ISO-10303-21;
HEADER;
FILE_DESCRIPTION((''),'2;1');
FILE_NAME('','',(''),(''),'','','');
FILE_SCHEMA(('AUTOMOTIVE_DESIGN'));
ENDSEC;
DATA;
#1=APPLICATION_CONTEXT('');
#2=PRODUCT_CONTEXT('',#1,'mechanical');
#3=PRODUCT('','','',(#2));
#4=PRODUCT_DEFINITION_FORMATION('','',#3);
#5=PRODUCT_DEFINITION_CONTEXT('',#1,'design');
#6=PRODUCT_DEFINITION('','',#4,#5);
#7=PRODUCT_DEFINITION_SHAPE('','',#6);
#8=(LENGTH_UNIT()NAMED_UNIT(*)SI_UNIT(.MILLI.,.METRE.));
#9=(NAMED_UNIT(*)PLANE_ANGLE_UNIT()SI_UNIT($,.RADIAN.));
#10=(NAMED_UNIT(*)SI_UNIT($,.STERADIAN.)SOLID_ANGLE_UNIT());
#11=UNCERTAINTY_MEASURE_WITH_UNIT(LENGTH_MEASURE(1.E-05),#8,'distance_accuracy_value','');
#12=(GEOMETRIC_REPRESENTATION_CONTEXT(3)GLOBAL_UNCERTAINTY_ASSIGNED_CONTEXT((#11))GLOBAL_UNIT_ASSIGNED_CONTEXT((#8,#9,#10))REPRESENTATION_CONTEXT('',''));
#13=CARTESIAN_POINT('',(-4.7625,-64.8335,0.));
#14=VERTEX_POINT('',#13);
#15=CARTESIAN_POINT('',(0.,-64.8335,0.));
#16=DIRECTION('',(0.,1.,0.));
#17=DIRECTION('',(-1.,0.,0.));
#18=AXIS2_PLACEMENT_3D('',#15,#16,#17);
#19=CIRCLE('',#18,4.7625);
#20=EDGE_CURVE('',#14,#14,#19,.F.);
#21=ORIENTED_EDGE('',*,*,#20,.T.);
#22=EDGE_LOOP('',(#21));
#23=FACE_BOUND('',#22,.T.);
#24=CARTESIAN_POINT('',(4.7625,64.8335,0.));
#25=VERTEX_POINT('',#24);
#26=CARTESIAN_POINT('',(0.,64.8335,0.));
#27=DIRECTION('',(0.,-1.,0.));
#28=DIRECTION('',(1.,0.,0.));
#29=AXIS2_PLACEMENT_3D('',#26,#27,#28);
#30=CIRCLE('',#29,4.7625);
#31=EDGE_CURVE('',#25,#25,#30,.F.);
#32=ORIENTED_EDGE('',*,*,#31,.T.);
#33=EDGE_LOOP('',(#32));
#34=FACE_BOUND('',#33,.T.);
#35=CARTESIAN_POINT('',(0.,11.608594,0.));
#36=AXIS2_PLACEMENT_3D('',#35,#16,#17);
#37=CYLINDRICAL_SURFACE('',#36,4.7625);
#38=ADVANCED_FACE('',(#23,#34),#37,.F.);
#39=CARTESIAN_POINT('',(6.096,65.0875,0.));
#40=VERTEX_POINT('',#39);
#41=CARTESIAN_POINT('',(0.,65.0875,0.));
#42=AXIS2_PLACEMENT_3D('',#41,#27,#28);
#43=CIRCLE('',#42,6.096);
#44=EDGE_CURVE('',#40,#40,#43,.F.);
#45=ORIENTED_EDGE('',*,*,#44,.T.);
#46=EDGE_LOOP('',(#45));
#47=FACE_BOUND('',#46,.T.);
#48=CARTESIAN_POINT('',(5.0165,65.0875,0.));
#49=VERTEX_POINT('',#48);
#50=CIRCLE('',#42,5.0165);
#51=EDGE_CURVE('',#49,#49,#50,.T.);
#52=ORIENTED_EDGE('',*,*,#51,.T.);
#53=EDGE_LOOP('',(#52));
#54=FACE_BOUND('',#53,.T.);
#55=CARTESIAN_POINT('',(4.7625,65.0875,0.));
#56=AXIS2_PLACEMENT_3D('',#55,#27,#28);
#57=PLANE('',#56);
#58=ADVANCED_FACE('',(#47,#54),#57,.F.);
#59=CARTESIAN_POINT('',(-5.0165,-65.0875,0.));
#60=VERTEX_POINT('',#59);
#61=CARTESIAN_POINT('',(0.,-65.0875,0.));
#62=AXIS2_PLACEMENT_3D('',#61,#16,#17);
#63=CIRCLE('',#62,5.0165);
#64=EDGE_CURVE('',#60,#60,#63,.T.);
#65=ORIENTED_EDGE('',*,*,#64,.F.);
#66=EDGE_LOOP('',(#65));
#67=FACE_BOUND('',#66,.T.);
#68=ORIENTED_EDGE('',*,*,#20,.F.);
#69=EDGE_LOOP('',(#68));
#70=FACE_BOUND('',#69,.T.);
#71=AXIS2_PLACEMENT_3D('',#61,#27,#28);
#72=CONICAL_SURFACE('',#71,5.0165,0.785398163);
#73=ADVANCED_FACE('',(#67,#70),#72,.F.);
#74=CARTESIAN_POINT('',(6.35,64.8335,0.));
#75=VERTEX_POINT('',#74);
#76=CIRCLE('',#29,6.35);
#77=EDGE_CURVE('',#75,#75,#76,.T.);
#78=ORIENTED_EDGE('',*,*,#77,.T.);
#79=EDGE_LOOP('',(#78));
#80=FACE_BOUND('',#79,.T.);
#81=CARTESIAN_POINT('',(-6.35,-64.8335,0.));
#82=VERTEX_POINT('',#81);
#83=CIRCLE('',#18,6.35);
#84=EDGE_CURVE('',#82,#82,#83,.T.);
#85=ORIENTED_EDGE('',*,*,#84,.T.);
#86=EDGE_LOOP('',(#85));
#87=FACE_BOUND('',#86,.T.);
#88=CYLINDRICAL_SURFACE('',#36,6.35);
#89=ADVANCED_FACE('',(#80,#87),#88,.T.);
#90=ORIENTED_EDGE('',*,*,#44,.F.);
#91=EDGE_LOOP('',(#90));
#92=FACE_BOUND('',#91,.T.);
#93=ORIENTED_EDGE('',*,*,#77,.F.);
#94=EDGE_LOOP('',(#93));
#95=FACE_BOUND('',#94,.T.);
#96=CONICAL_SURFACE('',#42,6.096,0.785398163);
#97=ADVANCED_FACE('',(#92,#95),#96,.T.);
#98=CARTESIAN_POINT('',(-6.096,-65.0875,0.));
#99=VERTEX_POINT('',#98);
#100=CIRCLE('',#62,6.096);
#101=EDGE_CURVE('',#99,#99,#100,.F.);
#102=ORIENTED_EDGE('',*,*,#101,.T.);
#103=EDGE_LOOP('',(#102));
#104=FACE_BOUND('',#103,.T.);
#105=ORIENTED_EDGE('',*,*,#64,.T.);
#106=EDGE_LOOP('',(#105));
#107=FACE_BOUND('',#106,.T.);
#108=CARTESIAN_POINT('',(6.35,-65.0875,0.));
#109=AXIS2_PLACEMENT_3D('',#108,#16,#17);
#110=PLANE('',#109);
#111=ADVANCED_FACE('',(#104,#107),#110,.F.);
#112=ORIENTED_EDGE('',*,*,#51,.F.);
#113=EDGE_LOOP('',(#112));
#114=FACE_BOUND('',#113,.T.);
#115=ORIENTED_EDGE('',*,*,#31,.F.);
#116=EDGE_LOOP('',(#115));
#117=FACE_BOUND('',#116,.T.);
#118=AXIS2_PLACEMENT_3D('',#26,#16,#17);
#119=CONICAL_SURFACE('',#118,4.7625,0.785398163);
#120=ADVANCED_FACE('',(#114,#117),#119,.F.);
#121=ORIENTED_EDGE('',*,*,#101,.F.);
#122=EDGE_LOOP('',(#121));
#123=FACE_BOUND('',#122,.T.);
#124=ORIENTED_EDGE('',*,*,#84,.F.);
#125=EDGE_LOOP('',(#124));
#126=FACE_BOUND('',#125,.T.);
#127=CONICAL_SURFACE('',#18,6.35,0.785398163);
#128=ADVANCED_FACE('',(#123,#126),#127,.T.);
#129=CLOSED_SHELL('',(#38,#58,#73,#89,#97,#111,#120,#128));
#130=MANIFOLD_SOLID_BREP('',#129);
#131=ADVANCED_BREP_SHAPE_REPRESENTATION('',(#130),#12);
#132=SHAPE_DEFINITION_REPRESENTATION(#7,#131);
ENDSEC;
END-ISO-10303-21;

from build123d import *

# Parameters (mm, degrees)
SKETCH1_W     = 1.5875
SKETCH1_H     = 130.175
CHAMFER1_SIZE = 0.254


with BuildPart() as part:
    # Sketch1 → Revolve1 (revolve)
    with BuildSketch(Plane.XY):
        with Locations((5.55625, 0)):
            Rectangle(SKETCH1_W, SKETCH1_H)
    revolve(axis=Axis((0, 11.60859375, 0), (0, -1, 0)))

    # Chamfer1
    chamfer1_edges = [part.edges().sort_by_distance(p)[0] for p in [
        (-4.7625, -65.0875, 0),
        (-6.35, -65.0875, 0),
        (-6.35, 65.0875, 0),
        (-4.7625, 65.0875, 0),
    ]]
    chamfer(chamfer1_edges, length=CHAMFER1_SIZE)


solid = part.part
